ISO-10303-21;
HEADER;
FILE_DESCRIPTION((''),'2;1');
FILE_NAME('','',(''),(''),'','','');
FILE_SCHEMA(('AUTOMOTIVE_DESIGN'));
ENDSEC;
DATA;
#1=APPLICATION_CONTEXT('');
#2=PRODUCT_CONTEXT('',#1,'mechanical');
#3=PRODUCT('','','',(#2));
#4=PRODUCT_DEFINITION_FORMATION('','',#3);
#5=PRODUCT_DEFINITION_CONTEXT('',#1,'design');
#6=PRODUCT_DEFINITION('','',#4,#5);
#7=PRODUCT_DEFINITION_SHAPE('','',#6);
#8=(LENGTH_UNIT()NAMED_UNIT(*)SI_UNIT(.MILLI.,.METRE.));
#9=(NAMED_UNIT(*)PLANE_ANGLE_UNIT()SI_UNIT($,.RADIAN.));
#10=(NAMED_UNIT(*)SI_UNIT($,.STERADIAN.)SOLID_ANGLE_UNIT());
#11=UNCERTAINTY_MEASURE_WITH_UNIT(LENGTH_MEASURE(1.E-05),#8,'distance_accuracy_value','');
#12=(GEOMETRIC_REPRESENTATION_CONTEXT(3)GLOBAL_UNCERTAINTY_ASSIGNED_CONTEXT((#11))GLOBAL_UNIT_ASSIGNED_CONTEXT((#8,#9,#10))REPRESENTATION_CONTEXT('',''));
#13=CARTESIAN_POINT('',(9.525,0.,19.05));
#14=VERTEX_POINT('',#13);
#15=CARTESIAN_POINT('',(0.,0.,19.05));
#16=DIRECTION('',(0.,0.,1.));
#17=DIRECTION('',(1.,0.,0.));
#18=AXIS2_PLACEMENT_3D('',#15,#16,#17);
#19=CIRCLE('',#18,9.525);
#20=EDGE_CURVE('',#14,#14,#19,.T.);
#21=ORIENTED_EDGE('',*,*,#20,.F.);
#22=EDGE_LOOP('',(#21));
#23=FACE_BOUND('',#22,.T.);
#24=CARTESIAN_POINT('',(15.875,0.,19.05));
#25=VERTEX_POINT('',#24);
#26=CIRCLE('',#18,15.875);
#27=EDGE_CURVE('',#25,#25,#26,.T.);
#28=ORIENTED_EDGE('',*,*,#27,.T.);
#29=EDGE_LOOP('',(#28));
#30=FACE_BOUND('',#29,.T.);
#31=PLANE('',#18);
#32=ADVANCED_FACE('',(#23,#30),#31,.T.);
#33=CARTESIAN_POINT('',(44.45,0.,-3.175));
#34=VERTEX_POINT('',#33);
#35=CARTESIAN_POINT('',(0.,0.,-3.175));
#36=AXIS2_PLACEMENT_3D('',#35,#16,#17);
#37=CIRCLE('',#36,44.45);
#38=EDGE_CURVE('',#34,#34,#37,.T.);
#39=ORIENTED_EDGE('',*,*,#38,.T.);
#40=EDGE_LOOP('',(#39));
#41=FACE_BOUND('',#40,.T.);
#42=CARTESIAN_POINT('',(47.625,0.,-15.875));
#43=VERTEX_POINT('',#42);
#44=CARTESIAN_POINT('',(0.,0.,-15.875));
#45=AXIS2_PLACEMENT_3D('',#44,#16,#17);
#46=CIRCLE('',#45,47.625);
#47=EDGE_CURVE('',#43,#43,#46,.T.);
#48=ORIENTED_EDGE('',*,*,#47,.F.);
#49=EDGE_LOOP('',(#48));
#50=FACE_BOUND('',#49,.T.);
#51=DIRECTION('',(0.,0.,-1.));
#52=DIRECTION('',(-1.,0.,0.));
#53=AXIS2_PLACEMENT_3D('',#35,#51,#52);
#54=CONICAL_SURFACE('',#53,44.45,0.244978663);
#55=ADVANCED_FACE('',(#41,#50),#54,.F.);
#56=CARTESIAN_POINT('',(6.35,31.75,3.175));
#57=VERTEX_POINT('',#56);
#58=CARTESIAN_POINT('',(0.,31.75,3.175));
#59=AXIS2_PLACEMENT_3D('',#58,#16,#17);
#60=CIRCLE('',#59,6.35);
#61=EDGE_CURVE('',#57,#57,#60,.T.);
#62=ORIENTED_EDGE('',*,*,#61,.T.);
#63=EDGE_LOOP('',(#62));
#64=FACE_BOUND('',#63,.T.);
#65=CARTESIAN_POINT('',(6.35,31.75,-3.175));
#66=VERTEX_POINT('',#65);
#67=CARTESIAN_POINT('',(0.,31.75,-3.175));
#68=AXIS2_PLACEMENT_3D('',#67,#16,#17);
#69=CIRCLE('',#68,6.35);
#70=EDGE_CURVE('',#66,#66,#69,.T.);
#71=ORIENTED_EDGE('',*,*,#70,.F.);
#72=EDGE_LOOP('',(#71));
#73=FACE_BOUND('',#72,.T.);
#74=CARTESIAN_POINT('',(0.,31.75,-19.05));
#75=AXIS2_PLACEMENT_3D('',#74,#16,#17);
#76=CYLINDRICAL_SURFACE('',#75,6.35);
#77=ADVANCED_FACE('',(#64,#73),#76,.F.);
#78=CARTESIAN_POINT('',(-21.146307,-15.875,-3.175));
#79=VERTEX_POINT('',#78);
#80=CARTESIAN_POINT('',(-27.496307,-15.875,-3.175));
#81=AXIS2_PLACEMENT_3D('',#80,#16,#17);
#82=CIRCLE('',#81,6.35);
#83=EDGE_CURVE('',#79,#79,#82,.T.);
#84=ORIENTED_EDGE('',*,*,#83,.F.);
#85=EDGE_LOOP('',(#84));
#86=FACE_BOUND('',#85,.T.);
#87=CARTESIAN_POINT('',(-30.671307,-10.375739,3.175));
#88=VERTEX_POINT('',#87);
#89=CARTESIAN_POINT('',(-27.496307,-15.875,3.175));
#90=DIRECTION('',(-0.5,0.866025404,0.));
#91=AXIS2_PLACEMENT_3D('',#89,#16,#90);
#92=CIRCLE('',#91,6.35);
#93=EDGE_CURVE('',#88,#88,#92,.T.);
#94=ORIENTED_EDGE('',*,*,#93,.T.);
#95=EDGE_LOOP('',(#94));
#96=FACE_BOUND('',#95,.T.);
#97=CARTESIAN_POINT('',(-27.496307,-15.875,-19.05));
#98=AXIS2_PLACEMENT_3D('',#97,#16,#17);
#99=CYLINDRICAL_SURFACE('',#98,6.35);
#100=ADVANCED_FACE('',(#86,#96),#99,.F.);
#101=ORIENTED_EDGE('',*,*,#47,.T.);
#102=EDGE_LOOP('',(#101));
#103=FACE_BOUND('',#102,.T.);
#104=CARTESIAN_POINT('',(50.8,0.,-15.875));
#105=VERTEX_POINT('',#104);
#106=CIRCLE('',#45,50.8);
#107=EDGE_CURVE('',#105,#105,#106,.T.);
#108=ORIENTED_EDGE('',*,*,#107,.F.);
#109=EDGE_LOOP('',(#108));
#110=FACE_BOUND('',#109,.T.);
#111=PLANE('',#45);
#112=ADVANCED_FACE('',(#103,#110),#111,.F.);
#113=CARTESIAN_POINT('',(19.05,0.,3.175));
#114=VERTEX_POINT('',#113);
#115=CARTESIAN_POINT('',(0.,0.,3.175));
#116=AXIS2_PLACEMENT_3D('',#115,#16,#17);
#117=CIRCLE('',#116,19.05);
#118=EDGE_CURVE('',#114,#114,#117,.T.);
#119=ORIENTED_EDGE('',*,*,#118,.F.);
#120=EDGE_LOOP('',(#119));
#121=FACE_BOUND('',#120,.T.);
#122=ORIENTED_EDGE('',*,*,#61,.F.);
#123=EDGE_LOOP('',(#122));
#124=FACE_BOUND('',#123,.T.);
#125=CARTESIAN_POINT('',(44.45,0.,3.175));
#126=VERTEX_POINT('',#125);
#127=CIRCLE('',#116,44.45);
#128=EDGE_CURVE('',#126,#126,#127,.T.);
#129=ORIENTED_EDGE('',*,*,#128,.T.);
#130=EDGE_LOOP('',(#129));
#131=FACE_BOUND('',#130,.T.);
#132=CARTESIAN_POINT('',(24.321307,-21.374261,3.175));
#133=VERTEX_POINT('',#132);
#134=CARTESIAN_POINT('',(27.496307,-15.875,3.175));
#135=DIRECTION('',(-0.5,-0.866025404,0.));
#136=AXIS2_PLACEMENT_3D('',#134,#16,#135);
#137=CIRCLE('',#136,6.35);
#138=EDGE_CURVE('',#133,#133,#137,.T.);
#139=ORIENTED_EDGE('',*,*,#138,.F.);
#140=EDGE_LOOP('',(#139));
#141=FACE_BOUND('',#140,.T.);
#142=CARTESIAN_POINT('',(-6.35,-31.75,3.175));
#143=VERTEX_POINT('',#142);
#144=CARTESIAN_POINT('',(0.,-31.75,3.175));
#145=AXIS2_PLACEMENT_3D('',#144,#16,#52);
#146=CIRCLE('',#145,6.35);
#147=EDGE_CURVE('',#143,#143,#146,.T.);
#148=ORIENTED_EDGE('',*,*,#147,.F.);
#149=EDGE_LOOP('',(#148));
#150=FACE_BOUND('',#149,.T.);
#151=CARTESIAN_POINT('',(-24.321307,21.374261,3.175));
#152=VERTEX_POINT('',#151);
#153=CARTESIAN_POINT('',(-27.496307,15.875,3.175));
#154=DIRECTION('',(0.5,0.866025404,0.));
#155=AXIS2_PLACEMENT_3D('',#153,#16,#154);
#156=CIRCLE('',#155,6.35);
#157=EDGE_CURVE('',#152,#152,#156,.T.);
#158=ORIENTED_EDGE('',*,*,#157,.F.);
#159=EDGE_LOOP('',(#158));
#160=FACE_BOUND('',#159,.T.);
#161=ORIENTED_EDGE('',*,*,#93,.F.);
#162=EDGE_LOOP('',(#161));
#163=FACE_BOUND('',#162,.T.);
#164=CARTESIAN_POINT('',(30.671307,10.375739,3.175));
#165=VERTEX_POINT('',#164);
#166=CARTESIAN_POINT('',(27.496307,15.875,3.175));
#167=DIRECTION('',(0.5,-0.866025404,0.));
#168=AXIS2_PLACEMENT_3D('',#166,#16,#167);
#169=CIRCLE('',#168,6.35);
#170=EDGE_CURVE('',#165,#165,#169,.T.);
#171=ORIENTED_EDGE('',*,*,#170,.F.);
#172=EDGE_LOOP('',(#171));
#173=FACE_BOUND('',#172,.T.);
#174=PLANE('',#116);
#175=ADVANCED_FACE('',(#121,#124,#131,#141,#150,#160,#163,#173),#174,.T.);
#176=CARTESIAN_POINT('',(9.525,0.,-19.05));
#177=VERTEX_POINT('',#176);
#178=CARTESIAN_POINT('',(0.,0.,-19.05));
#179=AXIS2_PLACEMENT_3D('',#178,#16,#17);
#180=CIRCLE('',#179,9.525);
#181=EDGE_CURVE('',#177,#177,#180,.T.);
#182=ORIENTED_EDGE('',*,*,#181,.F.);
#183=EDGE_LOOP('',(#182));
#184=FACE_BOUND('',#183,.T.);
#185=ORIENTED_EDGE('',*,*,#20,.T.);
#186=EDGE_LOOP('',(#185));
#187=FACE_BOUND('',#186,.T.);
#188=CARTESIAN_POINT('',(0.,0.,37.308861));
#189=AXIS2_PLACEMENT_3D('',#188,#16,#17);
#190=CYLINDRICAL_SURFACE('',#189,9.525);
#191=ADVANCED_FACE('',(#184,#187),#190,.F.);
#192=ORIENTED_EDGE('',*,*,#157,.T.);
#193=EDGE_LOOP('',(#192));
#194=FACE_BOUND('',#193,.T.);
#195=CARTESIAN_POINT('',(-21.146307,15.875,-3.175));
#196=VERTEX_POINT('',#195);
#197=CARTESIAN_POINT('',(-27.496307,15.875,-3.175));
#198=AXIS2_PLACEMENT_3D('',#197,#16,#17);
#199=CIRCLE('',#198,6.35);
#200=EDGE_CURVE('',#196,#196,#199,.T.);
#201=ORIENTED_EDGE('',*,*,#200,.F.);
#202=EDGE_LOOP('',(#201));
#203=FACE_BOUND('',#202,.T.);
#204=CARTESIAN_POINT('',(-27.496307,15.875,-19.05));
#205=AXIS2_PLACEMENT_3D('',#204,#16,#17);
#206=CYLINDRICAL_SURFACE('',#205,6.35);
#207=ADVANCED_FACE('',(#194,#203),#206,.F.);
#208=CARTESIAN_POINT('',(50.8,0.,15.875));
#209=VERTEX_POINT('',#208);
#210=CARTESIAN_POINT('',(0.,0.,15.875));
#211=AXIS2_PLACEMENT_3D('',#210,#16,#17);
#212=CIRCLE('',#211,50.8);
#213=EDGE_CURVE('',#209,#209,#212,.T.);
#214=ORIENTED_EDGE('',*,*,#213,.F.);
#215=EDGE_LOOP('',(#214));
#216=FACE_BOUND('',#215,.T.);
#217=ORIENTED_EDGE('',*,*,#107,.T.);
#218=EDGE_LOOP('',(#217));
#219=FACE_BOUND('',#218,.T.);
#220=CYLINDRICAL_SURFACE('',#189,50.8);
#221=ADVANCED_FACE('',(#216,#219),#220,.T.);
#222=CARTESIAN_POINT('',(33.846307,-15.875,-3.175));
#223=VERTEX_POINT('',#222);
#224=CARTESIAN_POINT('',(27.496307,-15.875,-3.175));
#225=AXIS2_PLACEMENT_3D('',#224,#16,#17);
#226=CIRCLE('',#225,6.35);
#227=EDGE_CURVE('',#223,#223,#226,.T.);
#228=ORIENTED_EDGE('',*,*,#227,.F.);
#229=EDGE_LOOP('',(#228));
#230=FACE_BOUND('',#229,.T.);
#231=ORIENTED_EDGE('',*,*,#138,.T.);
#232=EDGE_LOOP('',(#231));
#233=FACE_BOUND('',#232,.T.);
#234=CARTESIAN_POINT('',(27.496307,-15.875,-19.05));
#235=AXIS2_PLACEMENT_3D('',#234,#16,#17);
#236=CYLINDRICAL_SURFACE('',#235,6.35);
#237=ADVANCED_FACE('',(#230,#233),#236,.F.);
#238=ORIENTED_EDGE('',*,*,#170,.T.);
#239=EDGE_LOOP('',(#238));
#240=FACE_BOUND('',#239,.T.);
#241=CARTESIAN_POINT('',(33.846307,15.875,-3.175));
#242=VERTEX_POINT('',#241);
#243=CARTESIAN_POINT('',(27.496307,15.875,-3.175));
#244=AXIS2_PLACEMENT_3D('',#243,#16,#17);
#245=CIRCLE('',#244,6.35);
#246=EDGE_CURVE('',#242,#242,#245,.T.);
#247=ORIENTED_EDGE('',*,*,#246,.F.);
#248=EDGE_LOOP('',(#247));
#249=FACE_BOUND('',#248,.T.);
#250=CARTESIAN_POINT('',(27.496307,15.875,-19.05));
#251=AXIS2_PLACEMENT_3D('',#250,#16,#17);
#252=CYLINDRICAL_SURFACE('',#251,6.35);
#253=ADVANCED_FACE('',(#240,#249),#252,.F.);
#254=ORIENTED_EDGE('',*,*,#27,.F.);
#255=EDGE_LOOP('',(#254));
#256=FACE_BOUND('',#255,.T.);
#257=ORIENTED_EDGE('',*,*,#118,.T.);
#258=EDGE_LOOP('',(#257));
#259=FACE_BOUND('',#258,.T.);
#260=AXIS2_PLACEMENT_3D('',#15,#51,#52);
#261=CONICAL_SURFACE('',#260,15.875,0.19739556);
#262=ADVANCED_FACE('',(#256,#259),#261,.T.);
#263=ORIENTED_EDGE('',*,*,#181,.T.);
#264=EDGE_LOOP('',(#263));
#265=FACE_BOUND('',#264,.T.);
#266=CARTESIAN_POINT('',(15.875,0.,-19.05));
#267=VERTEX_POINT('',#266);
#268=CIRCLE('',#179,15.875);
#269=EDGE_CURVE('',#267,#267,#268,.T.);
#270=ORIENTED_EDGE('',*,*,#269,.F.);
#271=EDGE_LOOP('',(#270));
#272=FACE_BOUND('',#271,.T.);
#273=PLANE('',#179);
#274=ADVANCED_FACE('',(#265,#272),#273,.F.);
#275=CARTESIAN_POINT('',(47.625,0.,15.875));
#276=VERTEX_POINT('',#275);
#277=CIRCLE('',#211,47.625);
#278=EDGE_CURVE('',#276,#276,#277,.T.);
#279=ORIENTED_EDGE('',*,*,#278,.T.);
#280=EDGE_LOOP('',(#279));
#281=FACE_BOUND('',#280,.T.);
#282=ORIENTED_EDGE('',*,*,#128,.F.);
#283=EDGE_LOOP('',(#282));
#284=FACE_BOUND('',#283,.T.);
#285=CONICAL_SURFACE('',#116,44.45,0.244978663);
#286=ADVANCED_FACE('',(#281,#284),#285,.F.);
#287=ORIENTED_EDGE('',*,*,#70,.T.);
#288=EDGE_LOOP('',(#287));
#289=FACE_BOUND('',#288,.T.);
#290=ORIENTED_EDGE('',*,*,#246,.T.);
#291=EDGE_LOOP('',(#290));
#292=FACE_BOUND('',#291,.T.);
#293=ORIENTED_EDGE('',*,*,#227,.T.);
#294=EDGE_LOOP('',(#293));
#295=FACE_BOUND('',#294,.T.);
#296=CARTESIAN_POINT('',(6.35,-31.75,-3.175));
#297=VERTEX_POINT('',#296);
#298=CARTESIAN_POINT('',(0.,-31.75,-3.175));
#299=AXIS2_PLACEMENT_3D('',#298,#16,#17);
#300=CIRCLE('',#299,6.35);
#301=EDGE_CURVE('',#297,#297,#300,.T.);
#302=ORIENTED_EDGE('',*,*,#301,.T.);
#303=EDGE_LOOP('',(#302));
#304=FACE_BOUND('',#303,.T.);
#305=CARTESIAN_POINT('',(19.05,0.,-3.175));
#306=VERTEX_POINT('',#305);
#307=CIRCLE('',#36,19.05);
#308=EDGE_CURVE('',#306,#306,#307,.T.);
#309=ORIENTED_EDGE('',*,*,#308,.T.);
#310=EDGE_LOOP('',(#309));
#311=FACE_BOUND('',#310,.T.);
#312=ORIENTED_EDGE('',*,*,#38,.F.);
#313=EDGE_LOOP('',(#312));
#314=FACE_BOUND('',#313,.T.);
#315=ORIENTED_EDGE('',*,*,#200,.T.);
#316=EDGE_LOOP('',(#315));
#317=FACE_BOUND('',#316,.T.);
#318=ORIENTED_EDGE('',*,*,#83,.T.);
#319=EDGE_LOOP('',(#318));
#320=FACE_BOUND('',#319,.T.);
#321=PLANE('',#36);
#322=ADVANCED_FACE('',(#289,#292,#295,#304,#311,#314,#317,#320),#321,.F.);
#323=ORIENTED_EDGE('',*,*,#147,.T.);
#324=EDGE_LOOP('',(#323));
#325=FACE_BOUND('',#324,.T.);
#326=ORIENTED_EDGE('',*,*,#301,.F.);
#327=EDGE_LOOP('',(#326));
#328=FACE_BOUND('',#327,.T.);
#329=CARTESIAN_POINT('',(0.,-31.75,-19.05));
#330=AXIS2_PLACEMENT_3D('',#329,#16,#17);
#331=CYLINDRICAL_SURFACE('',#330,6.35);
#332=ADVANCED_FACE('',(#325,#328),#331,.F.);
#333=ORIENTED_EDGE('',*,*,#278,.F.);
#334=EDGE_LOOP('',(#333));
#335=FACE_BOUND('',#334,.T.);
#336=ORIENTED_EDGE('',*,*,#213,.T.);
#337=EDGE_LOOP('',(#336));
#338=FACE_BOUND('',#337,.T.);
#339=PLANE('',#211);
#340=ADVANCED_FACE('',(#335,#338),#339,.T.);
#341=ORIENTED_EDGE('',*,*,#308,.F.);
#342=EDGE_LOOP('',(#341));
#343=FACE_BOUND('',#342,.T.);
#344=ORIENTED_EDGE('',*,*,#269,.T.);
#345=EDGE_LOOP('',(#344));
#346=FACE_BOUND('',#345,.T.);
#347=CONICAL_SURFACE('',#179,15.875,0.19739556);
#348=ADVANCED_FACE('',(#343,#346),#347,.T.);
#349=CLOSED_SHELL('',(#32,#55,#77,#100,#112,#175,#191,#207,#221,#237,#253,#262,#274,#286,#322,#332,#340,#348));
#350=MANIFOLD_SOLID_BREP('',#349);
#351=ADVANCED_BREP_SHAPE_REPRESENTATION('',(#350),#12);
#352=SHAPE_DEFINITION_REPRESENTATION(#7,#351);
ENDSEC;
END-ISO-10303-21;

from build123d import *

# Parameters (mm, degrees)
SKETCH2_R          = 6.35
CUT_EXTRUDE1_DEPTH = 76.201267443
CIRPATTERN1_COUNT  = 6


with BuildPart() as part:
    # Sketch1 → Revolve1 (revolve)
    with BuildSketch(Plane(origin=(0, 0, 0), x_dir=(0, 0, -1), z_dir=(1, 0, 0)), mode=Mode.PRIVATE) as revolve1_sk:
        Polygon((19.05, 9.525), (-19.05, 9.525), (-19.05, 15.875), (-3.175, 19.05), (-3.175, 44.45), (-15.875, 47.625), (-15.875, 50.8), (15.875, 50.8), (15.875, 47.625), (3.175, 44.45), (3.175, 19.05), (19.05, 15.875), align=None)
    revolve(revolve1_sk.sketch.rotate(Axis((0, 0, 37.30886104), (0, 0, -1)), 90), axis=Axis((0, 0, 37.30886104), (0, 0, -1)))

    # Sketch2 → Cut-Extrude1 (cut, through all)
    with BuildSketch(Plane.XY.offset(3.175)):
        with Locations((0, 31.75)):
            Circle(SKETCH2_R)
    cut_extrude1 = extrude(amount=-CUT_EXTRUDE1_DEPTH, mode=Mode.SUBTRACT)

    # CirPattern1: Cut-Extrude1 ×6 about axis
    cirpattern1_axis = Axis((0, 0, 0), (0, 0, 1))
    for i in range(1, CIRPATTERN1_COUNT):
        add(cut_extrude1.rotate(cirpattern1_axis, i * 360 / CIRPATTERN1_COUNT), mode=Mode.SUBTRACT)


solid = part.part
